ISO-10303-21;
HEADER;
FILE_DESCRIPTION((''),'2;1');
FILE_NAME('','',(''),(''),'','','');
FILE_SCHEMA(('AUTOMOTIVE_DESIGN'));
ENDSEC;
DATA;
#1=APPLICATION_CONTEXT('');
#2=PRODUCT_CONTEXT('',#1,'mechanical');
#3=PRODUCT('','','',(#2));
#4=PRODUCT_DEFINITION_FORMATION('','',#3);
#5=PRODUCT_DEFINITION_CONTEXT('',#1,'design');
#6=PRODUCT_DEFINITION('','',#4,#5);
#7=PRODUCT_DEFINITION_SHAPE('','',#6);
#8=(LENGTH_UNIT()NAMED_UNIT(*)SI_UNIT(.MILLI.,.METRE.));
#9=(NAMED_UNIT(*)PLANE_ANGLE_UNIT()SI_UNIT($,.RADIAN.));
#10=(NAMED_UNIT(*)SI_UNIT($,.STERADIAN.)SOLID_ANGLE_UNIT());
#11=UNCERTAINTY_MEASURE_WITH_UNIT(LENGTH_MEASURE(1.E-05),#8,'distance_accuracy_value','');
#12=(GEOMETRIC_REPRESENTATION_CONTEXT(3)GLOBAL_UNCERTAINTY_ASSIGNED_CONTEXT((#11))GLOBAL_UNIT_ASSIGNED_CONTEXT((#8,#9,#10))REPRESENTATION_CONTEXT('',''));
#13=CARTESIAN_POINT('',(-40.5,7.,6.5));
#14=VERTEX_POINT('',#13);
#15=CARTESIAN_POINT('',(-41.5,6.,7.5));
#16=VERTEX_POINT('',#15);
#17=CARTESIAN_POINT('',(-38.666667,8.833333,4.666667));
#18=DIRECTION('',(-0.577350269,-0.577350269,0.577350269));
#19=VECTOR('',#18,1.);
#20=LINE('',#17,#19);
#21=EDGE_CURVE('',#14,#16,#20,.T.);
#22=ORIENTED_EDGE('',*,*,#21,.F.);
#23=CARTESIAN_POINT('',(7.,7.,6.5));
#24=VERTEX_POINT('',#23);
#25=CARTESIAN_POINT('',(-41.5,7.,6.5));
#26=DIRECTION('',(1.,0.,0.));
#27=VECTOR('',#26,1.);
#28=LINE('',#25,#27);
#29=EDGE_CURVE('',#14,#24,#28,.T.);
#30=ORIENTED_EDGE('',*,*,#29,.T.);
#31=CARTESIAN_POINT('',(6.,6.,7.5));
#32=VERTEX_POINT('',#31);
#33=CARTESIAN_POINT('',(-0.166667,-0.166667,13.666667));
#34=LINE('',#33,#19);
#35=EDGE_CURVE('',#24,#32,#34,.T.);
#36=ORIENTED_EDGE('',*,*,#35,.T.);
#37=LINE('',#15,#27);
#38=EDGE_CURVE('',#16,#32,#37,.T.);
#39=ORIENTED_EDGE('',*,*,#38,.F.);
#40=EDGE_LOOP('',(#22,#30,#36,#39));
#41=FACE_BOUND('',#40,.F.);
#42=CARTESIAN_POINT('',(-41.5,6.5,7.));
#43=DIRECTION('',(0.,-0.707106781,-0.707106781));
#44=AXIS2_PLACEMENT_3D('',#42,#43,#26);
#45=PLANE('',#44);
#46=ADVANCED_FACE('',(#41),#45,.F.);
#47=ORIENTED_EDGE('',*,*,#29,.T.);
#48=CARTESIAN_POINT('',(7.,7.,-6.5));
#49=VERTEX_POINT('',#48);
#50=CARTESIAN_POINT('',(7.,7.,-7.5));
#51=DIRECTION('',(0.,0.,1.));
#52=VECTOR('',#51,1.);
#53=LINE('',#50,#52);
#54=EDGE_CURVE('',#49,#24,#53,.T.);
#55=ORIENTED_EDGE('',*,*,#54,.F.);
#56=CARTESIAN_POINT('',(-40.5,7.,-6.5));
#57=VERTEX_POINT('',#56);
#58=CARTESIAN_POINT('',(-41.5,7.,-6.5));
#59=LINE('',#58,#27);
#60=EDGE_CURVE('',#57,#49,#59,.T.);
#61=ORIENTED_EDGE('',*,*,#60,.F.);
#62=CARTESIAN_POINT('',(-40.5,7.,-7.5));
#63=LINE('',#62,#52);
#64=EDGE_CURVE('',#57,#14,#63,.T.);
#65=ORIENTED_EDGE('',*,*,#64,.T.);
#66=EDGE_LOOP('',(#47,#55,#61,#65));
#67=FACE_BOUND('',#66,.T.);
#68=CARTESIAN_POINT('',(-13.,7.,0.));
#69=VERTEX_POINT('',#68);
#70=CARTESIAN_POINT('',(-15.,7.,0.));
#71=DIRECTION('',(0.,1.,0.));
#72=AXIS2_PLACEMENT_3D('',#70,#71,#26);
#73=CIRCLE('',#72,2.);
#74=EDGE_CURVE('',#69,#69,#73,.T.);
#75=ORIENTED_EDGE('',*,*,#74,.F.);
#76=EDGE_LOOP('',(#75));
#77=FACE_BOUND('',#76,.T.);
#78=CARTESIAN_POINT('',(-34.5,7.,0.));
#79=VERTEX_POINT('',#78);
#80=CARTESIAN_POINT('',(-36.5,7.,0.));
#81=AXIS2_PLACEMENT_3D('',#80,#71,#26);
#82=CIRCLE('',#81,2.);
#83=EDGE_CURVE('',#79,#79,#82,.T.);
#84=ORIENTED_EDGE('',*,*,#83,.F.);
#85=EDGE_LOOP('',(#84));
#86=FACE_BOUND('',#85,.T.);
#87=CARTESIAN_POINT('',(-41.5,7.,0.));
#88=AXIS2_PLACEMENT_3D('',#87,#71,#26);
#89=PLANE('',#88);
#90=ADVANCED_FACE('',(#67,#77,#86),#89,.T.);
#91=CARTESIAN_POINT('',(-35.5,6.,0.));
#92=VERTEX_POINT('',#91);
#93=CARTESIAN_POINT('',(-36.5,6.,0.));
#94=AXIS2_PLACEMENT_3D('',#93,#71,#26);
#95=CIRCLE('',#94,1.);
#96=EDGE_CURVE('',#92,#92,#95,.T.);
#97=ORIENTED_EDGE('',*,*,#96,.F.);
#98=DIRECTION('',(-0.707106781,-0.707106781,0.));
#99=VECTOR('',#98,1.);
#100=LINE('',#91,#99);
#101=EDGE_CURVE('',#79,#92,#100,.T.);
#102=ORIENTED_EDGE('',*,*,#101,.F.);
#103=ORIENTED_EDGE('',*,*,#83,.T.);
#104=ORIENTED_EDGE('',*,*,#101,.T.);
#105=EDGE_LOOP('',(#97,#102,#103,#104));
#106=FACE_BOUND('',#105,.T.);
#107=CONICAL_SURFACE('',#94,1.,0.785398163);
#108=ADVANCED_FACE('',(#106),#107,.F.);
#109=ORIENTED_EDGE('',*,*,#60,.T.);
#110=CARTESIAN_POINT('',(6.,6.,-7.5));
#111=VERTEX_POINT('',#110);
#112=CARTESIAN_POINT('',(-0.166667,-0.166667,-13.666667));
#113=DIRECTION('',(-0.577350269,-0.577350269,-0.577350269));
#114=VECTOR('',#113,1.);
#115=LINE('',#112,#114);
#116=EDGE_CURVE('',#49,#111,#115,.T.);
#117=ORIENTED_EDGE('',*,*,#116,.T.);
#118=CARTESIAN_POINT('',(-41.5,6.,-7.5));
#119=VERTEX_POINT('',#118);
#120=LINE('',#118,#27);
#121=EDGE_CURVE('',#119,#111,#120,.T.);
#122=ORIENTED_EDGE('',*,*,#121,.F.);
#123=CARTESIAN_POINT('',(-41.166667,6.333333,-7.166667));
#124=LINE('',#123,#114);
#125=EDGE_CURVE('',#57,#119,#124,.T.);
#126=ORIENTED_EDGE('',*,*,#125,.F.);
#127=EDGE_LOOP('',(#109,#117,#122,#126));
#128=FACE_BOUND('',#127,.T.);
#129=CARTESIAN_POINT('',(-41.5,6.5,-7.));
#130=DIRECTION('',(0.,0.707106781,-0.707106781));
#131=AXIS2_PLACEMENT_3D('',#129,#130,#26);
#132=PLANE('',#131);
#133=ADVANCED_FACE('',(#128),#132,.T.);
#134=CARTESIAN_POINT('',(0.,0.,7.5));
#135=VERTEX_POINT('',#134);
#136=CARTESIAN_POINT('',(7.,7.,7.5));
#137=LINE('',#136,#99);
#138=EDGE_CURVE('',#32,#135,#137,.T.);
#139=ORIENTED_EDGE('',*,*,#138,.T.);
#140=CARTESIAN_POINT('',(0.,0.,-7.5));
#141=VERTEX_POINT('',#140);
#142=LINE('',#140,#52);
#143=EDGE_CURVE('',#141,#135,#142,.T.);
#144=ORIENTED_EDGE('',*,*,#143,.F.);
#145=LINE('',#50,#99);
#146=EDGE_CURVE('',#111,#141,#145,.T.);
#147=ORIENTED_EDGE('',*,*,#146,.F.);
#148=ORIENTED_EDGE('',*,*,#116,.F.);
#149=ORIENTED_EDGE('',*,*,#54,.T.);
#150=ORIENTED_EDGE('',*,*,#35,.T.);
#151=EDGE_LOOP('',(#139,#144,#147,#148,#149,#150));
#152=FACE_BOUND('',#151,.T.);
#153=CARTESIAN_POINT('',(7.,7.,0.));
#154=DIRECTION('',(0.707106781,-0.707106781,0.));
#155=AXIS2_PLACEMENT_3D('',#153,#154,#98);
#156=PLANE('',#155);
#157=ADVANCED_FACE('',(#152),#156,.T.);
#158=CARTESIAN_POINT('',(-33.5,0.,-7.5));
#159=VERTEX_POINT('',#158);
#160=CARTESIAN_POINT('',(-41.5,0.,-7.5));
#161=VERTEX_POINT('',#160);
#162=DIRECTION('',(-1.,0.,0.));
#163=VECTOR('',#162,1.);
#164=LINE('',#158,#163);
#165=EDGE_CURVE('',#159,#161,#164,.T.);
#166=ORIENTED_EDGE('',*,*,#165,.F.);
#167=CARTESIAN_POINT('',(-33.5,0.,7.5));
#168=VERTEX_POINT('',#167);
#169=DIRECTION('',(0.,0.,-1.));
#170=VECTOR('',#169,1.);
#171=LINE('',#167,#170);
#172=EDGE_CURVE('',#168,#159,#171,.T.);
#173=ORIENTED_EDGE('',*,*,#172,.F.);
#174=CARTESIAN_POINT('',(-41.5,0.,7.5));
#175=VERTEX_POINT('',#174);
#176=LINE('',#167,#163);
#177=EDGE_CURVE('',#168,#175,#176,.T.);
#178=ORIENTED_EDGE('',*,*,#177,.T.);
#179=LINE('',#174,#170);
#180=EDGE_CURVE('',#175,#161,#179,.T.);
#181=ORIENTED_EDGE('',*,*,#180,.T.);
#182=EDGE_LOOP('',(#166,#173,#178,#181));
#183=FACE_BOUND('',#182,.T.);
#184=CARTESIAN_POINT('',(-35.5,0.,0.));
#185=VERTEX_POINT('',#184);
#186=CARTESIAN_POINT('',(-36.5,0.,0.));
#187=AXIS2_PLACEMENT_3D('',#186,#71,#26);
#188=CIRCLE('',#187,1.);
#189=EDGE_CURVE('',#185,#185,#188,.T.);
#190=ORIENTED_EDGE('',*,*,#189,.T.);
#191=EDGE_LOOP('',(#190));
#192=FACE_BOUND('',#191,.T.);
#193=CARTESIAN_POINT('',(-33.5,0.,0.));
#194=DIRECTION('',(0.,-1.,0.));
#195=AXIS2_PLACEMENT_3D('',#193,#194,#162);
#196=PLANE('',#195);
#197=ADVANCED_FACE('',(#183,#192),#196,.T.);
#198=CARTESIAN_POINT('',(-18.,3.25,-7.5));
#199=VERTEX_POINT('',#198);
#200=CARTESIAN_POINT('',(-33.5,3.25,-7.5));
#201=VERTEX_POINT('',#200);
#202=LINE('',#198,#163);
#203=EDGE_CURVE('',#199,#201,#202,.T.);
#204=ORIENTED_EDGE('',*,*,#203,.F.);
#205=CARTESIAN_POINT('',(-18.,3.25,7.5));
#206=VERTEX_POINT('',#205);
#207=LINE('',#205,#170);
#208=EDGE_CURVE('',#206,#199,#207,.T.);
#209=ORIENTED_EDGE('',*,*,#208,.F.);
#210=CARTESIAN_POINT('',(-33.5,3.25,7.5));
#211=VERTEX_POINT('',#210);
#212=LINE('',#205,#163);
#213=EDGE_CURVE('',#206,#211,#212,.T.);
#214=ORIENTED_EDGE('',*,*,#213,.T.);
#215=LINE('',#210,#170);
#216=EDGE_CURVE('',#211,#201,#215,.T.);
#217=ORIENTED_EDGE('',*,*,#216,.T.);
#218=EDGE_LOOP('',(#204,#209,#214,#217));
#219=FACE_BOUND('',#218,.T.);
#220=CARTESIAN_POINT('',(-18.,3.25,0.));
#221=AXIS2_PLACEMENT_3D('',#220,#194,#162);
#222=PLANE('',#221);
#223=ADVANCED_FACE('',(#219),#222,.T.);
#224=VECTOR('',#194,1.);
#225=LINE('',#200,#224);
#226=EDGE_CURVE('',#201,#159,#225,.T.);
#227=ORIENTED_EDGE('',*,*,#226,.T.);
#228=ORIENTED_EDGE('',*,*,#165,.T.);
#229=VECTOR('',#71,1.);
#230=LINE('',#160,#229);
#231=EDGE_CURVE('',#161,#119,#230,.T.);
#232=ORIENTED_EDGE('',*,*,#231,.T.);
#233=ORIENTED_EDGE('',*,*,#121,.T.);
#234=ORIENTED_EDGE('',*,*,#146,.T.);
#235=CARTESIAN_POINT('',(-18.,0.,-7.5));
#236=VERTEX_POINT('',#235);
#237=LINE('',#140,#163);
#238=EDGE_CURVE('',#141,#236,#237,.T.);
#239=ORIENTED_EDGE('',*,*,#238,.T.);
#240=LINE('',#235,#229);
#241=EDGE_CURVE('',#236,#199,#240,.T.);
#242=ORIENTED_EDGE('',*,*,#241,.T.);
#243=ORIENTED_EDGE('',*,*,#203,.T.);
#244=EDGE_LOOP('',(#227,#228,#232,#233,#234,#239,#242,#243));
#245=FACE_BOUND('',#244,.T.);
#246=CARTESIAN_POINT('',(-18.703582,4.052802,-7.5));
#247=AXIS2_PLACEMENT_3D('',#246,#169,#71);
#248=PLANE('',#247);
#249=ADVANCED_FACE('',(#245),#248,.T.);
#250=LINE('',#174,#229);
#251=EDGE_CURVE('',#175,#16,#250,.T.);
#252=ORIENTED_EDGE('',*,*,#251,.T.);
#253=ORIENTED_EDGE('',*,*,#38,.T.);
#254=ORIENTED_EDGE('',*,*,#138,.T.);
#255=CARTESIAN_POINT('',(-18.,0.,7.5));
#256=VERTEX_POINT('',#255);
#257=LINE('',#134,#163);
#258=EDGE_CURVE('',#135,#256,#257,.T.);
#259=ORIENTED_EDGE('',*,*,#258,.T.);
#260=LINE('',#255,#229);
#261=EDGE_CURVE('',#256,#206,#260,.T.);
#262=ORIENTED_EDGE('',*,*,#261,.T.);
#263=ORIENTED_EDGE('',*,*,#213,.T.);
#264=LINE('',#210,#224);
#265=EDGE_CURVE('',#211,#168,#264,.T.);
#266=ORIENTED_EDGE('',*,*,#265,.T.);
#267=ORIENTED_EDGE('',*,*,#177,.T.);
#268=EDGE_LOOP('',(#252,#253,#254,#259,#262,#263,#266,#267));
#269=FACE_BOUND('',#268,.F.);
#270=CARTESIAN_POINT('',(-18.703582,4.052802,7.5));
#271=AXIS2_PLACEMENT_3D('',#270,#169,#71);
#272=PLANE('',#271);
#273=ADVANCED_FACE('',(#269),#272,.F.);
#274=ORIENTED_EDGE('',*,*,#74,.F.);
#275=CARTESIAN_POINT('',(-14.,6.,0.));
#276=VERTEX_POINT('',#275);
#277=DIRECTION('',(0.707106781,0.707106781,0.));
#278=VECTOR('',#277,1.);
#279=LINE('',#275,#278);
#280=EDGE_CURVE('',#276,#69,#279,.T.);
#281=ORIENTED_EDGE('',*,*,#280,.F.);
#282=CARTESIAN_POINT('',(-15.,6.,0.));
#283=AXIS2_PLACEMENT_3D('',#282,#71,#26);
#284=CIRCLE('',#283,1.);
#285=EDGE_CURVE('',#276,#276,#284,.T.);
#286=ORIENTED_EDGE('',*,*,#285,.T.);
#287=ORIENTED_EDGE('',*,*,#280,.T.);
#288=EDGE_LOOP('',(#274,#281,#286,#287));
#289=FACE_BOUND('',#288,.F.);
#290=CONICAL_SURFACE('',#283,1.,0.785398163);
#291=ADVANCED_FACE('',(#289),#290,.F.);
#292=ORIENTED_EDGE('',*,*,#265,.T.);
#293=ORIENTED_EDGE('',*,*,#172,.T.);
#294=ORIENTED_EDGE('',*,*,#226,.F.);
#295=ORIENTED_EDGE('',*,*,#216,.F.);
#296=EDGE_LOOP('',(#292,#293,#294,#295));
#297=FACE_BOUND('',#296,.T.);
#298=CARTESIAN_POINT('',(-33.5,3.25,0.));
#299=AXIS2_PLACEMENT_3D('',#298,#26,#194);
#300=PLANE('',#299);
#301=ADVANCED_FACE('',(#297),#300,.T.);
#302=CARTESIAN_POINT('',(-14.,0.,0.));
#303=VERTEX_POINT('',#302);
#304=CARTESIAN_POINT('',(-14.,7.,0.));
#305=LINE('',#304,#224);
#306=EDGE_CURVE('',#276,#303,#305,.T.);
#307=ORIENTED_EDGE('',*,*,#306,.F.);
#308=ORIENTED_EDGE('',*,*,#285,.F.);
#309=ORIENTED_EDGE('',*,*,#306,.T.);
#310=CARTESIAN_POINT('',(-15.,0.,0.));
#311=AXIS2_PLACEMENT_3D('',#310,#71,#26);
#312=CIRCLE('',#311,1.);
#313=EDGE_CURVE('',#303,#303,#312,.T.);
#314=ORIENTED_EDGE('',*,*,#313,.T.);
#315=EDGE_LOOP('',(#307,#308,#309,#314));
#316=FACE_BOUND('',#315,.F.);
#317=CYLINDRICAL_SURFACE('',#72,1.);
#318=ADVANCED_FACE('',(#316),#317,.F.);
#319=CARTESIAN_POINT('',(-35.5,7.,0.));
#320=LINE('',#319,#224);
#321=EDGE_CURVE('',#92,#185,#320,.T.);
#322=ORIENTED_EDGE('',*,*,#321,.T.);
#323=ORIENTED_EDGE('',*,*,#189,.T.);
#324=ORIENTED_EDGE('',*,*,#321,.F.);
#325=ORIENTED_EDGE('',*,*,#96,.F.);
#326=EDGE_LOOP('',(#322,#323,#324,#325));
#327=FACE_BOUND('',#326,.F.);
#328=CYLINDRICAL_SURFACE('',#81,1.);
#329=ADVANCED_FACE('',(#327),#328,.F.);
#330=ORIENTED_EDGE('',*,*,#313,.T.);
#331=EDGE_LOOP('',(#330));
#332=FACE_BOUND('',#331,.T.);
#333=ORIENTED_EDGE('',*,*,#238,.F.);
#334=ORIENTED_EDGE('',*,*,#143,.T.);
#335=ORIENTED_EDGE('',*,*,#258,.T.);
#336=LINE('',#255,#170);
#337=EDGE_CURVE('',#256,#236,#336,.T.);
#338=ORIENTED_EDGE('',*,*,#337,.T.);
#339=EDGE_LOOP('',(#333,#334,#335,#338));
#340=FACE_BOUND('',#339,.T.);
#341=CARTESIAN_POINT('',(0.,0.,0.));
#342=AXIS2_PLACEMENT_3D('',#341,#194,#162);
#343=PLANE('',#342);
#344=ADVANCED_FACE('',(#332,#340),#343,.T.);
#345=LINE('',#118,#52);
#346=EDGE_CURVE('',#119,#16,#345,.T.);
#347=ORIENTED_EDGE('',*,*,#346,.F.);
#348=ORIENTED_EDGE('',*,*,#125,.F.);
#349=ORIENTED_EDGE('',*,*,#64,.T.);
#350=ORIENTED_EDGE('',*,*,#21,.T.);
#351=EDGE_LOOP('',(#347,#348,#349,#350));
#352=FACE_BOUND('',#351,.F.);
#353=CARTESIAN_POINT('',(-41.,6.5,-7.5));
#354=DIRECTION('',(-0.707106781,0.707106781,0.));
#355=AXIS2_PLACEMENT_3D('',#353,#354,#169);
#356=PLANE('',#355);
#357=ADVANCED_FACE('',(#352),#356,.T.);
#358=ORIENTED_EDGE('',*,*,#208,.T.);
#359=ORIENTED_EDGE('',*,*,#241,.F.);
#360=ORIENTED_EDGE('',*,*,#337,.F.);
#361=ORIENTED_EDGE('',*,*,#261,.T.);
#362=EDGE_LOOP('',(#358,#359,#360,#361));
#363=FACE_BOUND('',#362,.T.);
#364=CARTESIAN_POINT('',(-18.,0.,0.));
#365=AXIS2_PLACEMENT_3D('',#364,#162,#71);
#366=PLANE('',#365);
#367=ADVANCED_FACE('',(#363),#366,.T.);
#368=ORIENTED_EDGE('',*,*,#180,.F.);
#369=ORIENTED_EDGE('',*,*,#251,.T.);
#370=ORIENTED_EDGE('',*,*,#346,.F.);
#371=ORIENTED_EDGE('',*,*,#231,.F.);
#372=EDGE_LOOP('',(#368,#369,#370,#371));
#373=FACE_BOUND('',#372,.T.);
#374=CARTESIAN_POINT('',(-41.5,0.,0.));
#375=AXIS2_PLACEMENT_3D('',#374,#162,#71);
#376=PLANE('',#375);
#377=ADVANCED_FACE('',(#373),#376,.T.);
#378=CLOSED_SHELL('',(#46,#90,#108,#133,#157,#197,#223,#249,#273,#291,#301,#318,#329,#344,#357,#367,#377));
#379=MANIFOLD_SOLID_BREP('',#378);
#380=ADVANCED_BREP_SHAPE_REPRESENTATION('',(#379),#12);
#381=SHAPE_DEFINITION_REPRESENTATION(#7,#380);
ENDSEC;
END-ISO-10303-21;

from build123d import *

# Parameters (mm, degrees)
PAD004_DEPTH            = 7.5
SKETCH007_R             = 1
POCKET002_DEPTH         = 7.001
CHAMFER006_SIZE         = 1
CHAMFER005_SIZE         = 1
BODY003_ROLL_ANGLE      = 180
BODY003_PLACEMENT_ANGLE = 90


with BuildPart() as part:
    # Sketch006 → Pad004 (new body, symmetric)
    with BuildSketch(Plane.XY):
        Polygon((0, 0), (0, -18), (3.25, -18), (3.25, -33.5), (0, -33.5), (0, -41.5), (7, -41.5), (7, 7), align=None)
    extrude(amount=PAD004_DEPTH, both=True)

    # Sketch007 (on Face7 of Pad004) → Pocket002 (cut, through all)
    with BuildSketch(Plane.YZ.offset(7)):
        with Locations((-36.5, 0)):
            Circle(SKETCH007_R)
        with Locations((-15, 0)):
            Circle(SKETCH007_R)
    extrude(amount=-POCKET002_DEPTH, mode=Mode.SUBTRACT)

    # Chamfer006
    chamfer006_edges = [part.edges().sort_by_distance(p)[0] for p in [
        (7, -37.5, 0),
        (7, -16, 0),
    ]]
    chamfer(chamfer006_edges, length=CHAMFER006_SIZE)

    # Chamfer005
    chamfer005_edges = [part.edges().sort_by_distance(p)[0] for p in [
        (7, -17.25, 7.5),
        (7, -41.5, 0),
        (7, -17.25, -7.5),
    ]]
    chamfer(chamfer005_edges, length=CHAMFER005_SIZE)


with BuildPart() as part_1:
    # Body003 roll: moved
    add(part.part.rotate(Axis((0, 0, 0), (1, 0, 0)), BODY003_ROLL_ANGLE))


with BuildPart() as part_2:
    # Body003 placement: moved
    add(part_1.part.rotate(Axis((0, 0, 0), (0, 0, 1)), BODY003_PLACEMENT_ANGLE))


solid = part_2.part
